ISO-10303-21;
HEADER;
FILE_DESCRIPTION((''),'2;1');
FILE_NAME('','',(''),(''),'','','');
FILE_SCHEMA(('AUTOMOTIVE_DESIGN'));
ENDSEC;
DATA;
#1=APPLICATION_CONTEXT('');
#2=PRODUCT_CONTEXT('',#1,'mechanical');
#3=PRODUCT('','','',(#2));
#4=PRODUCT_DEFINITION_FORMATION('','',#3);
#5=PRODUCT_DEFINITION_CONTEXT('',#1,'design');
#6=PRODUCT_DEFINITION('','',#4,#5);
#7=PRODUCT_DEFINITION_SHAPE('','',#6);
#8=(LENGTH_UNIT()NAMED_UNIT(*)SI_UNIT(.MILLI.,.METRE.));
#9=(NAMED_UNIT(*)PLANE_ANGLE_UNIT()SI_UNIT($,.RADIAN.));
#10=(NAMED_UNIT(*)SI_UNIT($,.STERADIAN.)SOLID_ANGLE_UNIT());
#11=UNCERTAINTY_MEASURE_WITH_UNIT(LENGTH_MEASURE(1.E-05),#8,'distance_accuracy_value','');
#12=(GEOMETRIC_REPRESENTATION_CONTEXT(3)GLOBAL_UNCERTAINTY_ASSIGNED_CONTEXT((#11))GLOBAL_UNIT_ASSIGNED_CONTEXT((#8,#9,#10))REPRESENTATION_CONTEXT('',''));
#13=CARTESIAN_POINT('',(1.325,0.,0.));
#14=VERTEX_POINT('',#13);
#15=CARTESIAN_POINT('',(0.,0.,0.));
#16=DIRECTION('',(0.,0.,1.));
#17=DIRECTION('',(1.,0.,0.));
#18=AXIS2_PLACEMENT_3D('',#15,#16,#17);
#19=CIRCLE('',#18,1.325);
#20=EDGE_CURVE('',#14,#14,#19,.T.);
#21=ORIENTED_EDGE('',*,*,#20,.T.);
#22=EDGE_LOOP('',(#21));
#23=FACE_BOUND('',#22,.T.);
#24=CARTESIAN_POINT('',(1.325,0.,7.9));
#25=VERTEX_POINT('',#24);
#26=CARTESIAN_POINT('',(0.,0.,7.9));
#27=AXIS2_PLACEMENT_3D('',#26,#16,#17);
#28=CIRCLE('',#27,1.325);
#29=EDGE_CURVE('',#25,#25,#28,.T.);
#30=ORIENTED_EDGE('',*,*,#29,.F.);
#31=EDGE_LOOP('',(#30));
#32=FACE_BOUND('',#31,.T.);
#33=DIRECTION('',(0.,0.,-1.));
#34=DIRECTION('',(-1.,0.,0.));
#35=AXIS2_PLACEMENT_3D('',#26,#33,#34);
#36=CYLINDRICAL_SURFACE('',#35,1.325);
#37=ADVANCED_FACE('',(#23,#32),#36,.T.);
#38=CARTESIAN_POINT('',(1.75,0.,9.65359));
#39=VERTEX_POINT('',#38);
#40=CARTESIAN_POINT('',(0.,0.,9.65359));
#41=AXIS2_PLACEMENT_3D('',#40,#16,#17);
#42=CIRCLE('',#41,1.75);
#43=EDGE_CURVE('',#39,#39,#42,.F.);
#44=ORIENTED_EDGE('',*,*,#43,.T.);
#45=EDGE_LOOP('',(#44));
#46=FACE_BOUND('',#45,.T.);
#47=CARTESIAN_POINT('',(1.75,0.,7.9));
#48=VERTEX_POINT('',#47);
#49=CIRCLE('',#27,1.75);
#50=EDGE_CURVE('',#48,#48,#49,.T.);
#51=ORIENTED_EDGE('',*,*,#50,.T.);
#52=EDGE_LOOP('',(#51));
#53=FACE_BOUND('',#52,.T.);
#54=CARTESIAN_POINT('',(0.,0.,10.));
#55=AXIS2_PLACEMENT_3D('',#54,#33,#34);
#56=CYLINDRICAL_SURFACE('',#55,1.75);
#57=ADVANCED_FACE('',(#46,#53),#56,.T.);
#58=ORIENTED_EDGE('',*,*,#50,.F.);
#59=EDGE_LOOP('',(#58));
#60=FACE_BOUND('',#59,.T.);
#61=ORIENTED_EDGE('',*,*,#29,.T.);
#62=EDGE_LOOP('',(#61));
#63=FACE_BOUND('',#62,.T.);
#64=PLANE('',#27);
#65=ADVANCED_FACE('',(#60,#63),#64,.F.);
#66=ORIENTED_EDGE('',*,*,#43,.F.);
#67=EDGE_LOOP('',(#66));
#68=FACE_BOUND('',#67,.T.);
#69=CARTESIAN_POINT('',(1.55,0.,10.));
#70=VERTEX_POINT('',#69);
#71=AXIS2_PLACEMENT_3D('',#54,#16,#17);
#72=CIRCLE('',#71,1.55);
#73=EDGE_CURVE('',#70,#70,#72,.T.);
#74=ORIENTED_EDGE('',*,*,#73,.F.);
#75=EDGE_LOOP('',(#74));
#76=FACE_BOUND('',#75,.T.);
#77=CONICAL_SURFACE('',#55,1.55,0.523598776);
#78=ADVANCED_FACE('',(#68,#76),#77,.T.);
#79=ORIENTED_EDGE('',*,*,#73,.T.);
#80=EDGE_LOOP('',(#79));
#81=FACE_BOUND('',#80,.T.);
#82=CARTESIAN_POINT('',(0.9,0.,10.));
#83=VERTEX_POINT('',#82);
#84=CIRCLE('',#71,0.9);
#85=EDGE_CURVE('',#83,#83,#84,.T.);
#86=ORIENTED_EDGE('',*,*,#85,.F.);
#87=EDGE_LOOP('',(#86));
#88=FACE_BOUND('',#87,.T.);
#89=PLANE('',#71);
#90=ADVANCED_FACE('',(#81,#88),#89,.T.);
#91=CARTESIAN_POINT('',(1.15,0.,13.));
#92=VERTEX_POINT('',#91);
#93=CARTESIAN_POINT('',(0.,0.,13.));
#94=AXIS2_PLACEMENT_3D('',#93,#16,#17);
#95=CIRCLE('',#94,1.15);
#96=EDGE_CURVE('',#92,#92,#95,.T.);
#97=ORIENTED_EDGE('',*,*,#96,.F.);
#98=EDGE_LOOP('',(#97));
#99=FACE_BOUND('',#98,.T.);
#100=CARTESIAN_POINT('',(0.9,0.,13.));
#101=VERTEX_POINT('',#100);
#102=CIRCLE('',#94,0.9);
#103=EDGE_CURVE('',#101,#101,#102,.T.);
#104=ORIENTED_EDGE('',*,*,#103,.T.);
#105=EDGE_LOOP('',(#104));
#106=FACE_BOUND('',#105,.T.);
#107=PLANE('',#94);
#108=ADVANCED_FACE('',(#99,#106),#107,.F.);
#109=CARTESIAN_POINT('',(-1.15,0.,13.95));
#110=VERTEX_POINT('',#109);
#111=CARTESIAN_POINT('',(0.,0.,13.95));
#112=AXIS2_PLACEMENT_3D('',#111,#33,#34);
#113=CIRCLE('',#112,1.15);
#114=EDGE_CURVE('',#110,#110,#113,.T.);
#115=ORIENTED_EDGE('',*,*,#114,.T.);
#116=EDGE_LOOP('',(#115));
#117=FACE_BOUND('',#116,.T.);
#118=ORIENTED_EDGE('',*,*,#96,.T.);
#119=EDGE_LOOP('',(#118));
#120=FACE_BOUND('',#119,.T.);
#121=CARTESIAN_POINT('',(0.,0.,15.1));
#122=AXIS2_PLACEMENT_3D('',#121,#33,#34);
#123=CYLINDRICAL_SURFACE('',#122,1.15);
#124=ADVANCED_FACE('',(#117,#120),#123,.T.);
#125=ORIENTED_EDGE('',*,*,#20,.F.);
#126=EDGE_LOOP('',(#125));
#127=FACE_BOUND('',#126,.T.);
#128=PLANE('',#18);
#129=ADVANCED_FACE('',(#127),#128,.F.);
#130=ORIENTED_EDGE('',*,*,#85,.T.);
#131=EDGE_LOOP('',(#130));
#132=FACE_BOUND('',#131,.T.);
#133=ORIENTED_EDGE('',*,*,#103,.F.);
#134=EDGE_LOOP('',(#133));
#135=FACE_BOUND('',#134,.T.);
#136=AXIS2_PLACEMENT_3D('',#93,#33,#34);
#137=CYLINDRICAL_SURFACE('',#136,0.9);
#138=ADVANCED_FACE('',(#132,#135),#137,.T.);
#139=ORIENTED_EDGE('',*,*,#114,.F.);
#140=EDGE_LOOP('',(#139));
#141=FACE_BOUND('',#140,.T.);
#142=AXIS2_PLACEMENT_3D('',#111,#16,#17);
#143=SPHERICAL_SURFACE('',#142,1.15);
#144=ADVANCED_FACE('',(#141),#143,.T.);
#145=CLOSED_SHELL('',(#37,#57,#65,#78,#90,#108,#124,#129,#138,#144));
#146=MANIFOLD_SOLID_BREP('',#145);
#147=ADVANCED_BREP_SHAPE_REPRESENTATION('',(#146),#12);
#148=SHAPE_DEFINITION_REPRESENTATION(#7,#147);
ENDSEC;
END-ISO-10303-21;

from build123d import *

# Parameters (mm, degrees)
ESQUISSE1_R      = 1.325
EXTRUSION1_DEPTH = 7.9
ESQUISSE2_R      = 1.75
EXTRUSION2_DEPTH = 2.1
ESQUISSE3_R      = 0.9
EXTRUSION3_DEPTH = 3
ESQUISSE4_R      = 1.15
EXTRUSION4_DEPTH = 2.1
CONG_1_R         = 1.15
CHANFREIN1_SIZE  = 0.2
CHANFREIN1_SIZE2 = 0.346410162


with BuildPart() as part:
    # Esquisse1 → Extrusion1 (new body)
    with BuildSketch(Plane.XY):
        Circle(ESQUISSE1_R)
    extrude(amount=EXTRUSION1_DEPTH)

    # Esquisse2 → Extrusion2 (add)
    with BuildSketch(Plane.XY.offset(7.9)):
        Circle(ESQUISSE2_R)
    extrude(amount=EXTRUSION2_DEPTH)

    # Esquisse3 → Extrusion3 (add)
    with BuildSketch(Plane.XY.offset(10)):
        Circle(ESQUISSE3_R)
    extrude(amount=EXTRUSION3_DEPTH)

    # Esquisse4 → Extrusion4 (add)
    with BuildSketch(Plane.XY.offset(13)):
        Circle(ESQUISSE4_R)
    extrude(amount=EXTRUSION4_DEPTH)

    # Congé1
    cong_1_edges = [part.edges().sort_by_distance(p)[0] for p in [
        (-1.15, 0, 15.1),
    ]]
    fillet(cong_1_edges, radius=CONG_1_R)

    # Chanfrein1
    chanfrein1_edges = [part.edges().sort_by_distance(p)[0] for p in [
        (-1.75, 0, 10),
    ]]
    chanfrein1_side = [part.faces().sort_by_distance(p)[0] for p in [
        (-1.700502525, 0, 10),
    ]]
    chamfer(chanfrein1_edges, length=CHANFREIN1_SIZE, length2=CHANFREIN1_SIZE2, reference=chanfrein1_side[0])


solid = part.part
